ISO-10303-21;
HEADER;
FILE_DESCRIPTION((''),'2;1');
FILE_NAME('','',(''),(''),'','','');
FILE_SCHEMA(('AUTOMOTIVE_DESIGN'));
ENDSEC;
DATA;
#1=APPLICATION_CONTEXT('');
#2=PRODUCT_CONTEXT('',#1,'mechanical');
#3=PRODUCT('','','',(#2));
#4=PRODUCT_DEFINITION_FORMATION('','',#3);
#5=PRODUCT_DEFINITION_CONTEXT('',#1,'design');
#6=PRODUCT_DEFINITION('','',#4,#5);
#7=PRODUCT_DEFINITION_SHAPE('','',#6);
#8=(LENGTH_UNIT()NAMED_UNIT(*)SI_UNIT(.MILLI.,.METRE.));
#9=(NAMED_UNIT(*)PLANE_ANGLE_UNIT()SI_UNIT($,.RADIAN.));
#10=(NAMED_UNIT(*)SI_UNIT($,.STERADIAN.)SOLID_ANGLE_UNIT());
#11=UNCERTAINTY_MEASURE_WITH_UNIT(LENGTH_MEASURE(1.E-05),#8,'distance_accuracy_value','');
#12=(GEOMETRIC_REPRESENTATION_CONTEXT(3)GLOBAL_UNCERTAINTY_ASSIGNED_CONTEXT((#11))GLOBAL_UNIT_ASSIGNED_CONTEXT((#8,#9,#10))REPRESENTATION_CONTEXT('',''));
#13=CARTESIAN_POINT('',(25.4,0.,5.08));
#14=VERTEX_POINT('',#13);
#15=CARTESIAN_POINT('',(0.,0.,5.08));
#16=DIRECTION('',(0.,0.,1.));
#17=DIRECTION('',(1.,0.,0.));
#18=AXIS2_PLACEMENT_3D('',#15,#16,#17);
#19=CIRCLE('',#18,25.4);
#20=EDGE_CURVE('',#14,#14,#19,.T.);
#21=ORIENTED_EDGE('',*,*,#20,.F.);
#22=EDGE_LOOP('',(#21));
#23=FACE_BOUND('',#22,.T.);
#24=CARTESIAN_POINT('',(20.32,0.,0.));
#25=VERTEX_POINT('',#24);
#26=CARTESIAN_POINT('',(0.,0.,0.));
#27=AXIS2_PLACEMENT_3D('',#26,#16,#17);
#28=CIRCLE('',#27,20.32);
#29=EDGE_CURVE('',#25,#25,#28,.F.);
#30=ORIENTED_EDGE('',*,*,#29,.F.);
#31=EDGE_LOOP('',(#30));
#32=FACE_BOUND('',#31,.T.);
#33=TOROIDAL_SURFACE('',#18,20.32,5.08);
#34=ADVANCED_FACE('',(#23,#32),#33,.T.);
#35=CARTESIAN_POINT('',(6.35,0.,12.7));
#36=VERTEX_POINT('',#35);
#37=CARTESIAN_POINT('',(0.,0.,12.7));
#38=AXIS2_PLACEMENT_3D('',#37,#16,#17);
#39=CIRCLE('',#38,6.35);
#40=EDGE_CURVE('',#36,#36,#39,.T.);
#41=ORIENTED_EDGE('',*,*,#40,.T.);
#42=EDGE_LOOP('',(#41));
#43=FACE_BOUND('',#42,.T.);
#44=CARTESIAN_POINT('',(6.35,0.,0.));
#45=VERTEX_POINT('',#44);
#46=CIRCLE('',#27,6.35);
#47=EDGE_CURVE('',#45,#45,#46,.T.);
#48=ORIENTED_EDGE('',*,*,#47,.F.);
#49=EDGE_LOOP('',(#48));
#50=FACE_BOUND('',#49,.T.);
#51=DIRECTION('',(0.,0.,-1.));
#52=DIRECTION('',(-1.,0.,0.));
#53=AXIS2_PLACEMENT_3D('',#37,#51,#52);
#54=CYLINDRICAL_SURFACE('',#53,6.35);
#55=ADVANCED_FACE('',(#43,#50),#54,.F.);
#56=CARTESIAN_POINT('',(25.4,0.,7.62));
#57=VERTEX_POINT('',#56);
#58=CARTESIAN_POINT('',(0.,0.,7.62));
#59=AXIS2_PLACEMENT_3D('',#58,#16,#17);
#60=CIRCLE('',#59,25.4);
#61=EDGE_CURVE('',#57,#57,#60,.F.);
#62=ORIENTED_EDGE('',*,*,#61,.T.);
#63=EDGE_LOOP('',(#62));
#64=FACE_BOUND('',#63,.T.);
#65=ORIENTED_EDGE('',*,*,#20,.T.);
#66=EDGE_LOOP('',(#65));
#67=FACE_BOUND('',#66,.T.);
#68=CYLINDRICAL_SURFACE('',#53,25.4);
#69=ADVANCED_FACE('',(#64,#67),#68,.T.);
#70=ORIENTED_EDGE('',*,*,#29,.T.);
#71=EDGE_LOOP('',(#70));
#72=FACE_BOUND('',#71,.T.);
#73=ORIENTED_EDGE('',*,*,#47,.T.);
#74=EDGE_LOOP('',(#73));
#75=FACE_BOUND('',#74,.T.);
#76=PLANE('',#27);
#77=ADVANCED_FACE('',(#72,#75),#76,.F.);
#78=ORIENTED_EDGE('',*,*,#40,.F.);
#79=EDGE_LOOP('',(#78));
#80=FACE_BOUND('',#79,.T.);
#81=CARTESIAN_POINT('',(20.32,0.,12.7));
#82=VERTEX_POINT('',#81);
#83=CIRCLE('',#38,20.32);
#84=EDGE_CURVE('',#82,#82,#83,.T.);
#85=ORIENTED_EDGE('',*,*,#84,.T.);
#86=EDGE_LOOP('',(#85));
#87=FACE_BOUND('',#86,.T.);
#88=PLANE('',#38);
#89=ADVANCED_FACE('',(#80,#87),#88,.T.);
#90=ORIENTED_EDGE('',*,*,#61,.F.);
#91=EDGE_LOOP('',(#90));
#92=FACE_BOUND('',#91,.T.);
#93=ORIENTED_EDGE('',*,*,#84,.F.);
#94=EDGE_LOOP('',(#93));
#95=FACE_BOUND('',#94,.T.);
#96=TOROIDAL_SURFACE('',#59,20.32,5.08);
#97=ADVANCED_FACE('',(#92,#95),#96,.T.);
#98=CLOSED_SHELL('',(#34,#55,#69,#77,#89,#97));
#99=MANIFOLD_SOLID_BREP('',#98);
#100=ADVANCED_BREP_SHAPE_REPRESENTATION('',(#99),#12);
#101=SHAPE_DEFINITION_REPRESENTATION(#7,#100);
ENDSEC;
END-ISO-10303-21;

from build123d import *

# Parameters (mm, degrees)
SKETCH1_R           = 25.4
SKETCH1_R_2         = 6.35
BOSS_EXTRUDE1_DEPTH = 12.7
FILLET1_R           = 5.08


with BuildPart() as part:
    # Sketch1 → Boss-Extrude1 (new body)
    with BuildSketch(Plane.XY):
        Circle(SKETCH1_R)
        Circle(SKETCH1_R_2, mode=Mode.SUBTRACT)
    extrude(amount=BOSS_EXTRUDE1_DEPTH)

    # Fillet1
    fillet1_edges = [part.edges().sort_by_distance(p)[0] for p in [
        (-25.4, 0, 0),
        (-25.4, 0, 12.7),
    ]]
    fillet(fillet1_edges, radius=FILLET1_R)


solid = part.part
